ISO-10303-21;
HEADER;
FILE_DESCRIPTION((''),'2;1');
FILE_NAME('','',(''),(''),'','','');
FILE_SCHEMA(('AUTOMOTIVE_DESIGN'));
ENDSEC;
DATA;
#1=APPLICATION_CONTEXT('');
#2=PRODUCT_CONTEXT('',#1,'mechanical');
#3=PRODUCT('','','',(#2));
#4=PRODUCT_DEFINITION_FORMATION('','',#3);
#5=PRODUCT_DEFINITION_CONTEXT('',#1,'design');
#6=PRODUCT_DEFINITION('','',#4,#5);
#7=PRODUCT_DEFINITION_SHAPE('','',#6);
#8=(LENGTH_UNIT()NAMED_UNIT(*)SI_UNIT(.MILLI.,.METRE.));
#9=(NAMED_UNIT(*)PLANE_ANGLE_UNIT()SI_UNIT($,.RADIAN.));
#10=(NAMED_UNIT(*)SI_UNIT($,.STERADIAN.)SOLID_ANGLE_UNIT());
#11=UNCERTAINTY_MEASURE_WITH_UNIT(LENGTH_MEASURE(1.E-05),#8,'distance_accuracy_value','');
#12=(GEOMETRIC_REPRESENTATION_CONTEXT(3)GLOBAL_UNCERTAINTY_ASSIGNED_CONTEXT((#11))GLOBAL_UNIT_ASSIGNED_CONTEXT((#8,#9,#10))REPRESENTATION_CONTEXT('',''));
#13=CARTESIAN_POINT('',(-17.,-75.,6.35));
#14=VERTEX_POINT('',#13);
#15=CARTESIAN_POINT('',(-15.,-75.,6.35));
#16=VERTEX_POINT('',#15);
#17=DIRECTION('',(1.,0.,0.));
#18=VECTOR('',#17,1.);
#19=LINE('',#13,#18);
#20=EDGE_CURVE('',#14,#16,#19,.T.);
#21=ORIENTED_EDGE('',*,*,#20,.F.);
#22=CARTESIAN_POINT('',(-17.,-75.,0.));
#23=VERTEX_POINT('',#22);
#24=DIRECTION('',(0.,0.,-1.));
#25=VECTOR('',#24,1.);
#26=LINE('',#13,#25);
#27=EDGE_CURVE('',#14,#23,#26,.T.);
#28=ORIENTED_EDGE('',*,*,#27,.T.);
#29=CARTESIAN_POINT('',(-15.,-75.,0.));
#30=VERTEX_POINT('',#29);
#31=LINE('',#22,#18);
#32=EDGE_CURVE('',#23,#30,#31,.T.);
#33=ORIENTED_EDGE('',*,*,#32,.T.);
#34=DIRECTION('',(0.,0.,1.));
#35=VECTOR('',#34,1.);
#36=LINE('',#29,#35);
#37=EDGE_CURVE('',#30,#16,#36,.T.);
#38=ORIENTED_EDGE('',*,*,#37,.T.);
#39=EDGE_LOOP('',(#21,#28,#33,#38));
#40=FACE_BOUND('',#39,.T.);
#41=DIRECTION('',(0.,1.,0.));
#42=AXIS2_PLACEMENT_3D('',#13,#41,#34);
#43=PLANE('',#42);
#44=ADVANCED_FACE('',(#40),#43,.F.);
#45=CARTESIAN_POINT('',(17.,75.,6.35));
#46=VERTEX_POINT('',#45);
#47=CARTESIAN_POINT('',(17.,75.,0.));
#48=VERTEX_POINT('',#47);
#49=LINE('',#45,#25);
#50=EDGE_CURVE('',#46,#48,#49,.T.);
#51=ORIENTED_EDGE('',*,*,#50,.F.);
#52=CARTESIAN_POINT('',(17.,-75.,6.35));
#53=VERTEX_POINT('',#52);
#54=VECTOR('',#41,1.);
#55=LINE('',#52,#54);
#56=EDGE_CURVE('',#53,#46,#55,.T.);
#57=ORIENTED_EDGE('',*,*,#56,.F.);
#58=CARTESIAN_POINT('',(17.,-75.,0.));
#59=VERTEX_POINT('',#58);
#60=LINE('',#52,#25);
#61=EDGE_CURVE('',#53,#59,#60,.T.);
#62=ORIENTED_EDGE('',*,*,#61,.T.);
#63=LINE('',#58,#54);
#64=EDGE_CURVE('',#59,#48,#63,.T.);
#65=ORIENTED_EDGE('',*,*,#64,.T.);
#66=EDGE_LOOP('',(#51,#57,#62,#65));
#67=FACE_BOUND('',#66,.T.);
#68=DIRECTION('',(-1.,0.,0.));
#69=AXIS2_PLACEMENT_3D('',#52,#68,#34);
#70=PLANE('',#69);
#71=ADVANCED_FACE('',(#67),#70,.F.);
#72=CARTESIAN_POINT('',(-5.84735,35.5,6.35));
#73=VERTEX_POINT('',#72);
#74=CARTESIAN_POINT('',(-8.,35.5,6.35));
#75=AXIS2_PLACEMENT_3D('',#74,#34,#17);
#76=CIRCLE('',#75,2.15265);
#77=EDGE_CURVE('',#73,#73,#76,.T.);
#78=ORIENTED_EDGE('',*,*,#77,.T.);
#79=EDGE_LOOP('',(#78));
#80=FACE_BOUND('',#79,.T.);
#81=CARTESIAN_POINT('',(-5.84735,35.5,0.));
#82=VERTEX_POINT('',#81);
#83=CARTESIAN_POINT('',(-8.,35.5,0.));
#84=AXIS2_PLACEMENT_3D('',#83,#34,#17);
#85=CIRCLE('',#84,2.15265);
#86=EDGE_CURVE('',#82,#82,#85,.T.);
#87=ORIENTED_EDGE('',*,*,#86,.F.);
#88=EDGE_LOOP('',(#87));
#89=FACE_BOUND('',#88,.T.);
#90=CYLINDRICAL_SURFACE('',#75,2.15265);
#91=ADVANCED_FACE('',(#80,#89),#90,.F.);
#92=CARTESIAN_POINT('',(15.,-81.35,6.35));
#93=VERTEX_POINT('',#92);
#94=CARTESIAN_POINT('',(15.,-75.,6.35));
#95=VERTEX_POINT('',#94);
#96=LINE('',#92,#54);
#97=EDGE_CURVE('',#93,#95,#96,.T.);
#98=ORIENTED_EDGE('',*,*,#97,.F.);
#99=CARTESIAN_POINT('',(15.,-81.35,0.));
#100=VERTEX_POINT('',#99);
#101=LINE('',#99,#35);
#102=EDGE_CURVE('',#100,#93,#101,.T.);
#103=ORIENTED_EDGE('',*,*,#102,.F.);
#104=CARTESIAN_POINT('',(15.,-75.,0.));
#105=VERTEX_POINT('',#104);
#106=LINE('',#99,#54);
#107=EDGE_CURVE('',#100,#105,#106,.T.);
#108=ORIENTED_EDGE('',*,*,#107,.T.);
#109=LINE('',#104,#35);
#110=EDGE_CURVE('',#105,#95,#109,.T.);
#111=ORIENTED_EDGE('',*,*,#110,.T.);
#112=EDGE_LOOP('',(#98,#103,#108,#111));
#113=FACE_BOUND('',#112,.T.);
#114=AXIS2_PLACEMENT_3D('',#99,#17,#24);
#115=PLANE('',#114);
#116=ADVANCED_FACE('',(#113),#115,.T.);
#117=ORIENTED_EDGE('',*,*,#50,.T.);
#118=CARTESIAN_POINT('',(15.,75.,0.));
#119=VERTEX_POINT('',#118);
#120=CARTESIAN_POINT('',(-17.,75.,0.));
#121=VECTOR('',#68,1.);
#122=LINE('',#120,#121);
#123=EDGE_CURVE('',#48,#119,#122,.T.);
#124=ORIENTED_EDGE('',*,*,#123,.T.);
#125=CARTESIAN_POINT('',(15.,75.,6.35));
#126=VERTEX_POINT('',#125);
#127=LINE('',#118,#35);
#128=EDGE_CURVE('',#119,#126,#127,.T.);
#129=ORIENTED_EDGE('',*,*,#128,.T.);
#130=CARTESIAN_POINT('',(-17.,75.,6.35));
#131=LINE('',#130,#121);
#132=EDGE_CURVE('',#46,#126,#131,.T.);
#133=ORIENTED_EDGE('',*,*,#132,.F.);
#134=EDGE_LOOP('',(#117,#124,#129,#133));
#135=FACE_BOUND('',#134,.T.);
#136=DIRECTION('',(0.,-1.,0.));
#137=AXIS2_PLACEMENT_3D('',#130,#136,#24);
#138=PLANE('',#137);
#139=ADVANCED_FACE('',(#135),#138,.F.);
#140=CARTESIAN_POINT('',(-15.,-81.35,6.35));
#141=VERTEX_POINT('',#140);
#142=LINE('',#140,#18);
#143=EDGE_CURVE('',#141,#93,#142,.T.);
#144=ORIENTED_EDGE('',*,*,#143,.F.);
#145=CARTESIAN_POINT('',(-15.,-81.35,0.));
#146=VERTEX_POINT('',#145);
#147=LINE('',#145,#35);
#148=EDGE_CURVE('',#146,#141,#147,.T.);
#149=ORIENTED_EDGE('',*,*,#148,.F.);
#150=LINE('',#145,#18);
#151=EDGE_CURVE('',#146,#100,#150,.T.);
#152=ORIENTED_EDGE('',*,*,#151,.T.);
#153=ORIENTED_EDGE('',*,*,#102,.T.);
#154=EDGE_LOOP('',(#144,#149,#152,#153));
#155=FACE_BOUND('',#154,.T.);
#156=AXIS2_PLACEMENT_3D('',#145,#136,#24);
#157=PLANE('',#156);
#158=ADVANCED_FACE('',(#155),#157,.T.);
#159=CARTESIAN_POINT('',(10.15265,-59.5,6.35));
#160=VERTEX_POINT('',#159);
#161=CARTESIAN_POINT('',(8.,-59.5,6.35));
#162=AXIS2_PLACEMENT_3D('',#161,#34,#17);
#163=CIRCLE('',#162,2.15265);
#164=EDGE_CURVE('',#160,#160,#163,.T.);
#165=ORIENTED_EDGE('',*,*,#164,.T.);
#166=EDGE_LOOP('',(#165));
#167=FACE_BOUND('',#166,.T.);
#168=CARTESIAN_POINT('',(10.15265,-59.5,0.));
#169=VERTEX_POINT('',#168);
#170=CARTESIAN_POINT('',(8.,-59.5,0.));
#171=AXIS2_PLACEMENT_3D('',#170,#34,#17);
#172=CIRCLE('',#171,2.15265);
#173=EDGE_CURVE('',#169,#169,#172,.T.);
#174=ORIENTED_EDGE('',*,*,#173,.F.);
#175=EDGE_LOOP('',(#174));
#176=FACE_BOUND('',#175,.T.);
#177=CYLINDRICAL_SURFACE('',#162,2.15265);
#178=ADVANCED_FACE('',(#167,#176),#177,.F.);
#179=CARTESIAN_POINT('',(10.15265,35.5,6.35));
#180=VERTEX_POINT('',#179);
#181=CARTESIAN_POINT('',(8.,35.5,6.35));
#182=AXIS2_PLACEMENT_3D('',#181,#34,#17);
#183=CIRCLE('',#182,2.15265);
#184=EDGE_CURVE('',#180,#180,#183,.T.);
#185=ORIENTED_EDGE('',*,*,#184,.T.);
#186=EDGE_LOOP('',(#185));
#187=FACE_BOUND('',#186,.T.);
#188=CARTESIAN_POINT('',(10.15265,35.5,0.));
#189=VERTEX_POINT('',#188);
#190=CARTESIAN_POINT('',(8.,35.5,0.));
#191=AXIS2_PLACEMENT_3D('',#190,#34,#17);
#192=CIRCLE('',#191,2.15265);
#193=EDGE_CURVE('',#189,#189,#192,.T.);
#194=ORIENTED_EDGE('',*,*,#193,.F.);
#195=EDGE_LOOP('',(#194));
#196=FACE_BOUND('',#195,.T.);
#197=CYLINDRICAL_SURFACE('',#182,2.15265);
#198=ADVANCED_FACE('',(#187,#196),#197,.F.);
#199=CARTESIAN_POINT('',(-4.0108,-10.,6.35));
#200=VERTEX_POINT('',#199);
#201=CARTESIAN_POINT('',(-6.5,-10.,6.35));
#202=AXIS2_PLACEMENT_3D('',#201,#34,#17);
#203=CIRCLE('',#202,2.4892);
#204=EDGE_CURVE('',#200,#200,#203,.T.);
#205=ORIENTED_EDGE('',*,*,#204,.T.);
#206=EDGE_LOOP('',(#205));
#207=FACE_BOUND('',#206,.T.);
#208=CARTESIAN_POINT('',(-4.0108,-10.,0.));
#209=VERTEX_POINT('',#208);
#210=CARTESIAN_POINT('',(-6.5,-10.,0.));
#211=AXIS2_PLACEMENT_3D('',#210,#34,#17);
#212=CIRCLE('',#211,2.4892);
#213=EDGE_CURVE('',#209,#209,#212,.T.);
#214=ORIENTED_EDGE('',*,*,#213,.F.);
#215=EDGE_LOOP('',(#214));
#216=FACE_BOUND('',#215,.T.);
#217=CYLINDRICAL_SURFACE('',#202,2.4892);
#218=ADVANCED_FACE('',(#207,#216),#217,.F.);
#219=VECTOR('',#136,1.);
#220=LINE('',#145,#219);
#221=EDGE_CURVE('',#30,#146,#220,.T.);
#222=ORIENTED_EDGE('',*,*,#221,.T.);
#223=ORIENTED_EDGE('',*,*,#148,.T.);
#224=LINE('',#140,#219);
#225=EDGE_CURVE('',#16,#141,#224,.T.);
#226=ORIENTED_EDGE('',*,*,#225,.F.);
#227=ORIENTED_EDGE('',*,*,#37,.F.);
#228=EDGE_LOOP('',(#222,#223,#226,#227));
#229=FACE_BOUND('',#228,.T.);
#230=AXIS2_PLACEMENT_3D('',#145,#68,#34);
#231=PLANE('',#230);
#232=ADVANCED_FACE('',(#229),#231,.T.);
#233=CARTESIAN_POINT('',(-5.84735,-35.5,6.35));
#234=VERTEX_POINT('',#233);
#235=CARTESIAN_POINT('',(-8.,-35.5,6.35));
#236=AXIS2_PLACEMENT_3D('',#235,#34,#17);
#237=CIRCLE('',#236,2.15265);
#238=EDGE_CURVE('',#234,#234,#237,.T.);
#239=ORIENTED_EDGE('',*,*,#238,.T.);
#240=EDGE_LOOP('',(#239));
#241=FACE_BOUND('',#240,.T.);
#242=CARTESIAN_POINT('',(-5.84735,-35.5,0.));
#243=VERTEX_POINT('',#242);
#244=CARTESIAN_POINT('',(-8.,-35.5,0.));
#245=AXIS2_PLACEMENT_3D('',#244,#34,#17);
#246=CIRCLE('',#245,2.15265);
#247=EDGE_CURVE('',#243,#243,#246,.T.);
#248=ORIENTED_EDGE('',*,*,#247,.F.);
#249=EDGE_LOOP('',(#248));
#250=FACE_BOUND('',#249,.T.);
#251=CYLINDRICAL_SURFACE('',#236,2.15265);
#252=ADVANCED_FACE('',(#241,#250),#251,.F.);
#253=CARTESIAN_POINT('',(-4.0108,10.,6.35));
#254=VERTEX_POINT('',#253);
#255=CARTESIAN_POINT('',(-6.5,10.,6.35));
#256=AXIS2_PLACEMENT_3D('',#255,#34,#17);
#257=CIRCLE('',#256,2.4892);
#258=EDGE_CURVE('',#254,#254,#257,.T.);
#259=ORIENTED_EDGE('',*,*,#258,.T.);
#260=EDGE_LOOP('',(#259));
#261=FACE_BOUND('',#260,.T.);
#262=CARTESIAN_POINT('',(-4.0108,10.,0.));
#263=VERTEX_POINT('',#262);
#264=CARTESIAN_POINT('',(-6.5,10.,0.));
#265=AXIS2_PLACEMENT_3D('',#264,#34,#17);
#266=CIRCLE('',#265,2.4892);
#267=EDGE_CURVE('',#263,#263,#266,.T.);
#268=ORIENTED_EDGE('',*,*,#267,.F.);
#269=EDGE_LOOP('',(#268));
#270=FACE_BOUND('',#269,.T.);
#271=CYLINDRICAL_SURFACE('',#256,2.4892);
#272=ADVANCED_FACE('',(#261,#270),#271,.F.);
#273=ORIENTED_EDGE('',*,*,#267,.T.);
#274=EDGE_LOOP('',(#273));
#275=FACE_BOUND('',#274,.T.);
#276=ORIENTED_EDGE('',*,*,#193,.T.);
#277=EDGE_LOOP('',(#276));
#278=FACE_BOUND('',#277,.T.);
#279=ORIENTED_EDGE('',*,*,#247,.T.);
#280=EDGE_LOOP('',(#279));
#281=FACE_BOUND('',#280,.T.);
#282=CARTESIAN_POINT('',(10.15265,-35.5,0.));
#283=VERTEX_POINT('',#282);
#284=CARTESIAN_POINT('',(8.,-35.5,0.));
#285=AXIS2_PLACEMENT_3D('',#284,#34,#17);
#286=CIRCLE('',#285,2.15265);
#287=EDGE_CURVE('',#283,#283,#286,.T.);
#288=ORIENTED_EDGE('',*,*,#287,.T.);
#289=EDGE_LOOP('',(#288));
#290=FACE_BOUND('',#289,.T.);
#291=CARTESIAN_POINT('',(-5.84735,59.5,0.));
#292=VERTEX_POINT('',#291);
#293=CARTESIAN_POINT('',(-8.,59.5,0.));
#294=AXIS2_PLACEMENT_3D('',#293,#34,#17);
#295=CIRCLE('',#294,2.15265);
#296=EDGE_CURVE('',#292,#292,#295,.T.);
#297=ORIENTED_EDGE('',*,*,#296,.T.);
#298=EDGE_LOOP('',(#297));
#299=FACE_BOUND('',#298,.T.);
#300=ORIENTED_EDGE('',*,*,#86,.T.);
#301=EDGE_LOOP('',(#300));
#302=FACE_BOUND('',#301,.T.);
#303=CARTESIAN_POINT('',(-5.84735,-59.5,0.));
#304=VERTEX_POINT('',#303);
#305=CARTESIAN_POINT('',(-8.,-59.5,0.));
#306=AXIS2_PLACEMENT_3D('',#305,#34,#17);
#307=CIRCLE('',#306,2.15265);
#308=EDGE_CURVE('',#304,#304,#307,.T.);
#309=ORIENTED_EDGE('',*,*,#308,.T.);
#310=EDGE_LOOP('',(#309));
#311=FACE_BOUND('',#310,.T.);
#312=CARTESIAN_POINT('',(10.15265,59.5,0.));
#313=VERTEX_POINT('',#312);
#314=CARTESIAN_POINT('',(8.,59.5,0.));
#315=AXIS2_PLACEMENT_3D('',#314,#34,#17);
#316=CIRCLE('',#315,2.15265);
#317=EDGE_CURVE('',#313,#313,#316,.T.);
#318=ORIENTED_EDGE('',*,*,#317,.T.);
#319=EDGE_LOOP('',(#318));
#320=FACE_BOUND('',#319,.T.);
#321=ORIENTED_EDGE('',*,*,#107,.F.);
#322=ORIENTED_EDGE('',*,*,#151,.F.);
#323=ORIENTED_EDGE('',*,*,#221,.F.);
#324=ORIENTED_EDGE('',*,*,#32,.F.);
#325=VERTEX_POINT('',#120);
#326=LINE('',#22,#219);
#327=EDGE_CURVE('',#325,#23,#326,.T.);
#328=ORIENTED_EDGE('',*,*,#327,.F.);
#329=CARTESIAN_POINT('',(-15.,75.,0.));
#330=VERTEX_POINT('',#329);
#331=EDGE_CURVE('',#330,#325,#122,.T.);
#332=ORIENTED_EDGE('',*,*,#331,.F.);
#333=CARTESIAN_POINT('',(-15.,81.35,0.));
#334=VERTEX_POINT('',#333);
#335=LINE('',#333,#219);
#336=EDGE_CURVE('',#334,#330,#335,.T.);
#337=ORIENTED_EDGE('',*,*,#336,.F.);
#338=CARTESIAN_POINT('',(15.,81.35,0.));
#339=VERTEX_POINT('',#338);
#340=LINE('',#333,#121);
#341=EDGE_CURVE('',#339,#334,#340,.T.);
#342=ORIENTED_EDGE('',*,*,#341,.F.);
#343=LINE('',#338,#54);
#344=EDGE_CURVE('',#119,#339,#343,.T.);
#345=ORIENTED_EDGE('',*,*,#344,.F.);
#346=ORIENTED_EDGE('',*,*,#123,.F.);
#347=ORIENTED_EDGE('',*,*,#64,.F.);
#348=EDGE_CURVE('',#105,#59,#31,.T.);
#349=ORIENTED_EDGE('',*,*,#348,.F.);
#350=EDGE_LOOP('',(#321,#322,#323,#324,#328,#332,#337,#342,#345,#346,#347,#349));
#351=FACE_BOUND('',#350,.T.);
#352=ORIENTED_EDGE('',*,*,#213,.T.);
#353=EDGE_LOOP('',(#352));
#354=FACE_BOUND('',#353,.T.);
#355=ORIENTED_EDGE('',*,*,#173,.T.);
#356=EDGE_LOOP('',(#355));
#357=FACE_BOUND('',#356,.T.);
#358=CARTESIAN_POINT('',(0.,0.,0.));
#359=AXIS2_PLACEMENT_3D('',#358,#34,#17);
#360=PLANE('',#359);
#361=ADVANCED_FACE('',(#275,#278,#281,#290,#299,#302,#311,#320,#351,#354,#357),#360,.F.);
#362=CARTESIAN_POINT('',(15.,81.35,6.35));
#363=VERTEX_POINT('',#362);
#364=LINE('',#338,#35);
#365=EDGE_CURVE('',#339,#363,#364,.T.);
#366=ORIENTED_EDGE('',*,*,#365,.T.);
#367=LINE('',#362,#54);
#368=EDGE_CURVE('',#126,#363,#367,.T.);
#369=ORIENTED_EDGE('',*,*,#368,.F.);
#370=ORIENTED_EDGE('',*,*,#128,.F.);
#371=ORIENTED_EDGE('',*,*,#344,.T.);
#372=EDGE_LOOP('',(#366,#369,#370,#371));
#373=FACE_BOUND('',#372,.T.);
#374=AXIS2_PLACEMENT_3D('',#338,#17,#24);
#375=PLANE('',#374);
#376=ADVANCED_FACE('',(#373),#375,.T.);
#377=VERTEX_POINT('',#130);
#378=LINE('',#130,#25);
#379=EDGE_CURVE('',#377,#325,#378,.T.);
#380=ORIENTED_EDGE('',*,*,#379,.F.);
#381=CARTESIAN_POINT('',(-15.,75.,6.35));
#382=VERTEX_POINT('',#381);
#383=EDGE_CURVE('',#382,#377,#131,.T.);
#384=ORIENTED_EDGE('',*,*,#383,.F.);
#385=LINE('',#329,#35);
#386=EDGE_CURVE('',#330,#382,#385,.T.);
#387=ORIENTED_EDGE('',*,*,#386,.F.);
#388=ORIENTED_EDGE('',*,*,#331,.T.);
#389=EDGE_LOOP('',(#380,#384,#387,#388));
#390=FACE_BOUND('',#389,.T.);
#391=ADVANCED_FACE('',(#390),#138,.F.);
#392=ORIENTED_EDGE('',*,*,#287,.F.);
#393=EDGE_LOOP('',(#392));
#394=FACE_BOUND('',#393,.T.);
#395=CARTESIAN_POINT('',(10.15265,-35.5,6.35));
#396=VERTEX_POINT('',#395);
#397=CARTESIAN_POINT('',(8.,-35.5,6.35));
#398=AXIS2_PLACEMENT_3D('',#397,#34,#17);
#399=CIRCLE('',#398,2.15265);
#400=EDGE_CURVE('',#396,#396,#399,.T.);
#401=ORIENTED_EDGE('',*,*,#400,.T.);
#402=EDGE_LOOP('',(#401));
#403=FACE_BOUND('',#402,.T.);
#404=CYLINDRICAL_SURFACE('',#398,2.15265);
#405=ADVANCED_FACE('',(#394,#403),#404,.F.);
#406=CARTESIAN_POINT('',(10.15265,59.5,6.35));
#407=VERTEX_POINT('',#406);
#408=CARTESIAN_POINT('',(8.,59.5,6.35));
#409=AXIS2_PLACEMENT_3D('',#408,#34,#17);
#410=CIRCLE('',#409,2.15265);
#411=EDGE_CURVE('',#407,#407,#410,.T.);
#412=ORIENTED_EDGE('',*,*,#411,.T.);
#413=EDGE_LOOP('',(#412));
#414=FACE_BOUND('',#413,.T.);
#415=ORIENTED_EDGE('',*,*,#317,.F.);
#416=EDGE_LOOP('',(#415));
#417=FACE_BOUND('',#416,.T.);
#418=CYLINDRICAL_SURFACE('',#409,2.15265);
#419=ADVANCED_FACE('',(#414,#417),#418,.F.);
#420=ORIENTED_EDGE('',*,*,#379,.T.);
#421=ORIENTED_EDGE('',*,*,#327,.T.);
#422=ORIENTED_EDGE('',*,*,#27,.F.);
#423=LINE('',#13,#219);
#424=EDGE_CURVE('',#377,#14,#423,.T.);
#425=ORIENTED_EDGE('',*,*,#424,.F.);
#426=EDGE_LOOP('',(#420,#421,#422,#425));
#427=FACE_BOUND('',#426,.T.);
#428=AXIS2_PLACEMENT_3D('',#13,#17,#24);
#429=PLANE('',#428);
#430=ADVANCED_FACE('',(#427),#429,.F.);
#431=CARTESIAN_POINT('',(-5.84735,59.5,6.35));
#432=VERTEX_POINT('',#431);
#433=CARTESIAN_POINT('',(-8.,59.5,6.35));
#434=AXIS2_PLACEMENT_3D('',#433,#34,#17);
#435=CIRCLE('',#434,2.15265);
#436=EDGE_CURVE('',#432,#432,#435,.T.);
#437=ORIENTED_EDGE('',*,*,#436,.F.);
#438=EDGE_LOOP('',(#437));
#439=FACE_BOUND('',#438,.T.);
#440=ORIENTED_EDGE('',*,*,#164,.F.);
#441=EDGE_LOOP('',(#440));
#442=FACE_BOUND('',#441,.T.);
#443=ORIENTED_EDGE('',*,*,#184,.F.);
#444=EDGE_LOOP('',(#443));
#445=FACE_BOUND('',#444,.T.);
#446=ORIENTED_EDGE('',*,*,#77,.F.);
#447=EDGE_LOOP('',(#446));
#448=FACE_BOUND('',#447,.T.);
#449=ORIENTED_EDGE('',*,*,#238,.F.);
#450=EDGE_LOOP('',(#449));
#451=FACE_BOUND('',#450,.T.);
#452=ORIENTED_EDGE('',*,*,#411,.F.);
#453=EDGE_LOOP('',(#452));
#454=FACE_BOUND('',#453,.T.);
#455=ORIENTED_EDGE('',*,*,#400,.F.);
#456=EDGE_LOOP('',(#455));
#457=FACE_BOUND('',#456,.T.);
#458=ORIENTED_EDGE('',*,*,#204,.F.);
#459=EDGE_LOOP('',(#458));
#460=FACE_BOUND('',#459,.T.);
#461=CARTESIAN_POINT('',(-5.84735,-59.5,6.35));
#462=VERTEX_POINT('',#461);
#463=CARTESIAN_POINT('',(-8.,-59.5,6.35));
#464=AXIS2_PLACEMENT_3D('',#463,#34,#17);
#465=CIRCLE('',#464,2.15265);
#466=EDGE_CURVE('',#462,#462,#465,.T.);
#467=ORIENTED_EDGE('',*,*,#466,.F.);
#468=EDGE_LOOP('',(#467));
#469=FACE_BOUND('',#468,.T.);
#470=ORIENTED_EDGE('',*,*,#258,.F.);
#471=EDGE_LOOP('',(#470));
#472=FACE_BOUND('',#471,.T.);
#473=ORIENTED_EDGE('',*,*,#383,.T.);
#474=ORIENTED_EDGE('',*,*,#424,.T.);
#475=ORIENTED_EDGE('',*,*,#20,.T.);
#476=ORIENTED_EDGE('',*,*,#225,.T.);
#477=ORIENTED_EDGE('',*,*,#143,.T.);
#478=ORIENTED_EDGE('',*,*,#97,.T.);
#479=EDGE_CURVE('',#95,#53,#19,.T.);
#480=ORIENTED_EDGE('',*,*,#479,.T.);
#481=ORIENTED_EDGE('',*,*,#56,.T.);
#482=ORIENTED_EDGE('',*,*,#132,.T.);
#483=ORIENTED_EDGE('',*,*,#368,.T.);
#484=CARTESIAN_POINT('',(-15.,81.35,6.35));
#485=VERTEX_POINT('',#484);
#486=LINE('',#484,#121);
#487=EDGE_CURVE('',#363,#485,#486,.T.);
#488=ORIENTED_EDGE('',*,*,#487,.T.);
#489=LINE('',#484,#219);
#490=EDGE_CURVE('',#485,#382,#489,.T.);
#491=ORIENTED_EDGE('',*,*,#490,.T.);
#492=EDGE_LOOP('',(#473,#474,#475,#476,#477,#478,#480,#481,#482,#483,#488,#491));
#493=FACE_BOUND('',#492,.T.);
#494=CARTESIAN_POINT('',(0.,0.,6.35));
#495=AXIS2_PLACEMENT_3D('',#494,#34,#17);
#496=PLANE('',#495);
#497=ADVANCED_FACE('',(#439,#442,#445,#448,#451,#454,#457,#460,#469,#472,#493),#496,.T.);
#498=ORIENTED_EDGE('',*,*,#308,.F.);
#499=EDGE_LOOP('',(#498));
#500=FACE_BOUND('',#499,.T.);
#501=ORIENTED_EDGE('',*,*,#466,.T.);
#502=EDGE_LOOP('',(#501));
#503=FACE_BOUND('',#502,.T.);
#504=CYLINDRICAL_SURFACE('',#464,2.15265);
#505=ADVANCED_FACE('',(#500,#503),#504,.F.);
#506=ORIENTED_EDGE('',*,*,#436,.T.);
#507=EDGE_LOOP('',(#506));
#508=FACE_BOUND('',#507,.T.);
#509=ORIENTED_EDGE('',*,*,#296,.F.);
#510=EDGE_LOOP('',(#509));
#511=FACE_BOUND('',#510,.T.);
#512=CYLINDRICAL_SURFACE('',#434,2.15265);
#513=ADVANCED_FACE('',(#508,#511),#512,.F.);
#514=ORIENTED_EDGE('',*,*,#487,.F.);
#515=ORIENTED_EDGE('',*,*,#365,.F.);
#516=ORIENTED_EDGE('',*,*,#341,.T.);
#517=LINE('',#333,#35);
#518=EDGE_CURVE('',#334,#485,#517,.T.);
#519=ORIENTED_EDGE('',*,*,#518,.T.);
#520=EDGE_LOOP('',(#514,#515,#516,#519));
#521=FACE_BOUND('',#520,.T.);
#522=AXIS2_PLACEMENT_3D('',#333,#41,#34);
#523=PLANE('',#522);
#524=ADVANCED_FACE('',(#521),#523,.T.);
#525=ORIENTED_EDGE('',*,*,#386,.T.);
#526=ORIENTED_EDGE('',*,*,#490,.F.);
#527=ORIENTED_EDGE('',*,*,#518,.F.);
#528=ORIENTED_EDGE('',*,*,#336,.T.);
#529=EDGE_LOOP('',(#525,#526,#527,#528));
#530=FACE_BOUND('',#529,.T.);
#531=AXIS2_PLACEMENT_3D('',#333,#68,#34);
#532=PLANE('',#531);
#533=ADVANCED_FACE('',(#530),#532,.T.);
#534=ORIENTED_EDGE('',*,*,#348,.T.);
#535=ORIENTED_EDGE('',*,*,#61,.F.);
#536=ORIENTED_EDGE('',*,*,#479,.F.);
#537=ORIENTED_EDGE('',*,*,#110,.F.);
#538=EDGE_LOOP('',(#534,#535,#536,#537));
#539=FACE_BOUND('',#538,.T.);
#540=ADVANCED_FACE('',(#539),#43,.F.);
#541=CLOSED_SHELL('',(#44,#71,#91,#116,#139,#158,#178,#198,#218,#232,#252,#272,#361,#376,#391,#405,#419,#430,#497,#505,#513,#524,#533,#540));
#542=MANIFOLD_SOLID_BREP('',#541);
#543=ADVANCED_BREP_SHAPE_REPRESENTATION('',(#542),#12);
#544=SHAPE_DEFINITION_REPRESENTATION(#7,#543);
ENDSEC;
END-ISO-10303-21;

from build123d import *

# Parameters (mm, degrees)
SKETCH1_W              = 34
SKETCH1_H              = 150
BOSS_EXTRUDE1_DEPTH    = 6.35
SKETCH3_W              = 30
SKETCH3_H              = 6.35
BOSS_EXTRUDE2_DEPTH    = 6.35
F_8_CLEARANCE_HOLE1_D  = 4.3053
F_10_CLEARANCE_HOLE1_D = 4.9784


with BuildPart() as part:
    # Sketch1 → Boss-Extrude1 (new body)
    with BuildSketch(Plane.XY):
        Rectangle(SKETCH1_W, SKETCH1_H)
    extrude(amount=BOSS_EXTRUDE1_DEPTH)

    # Sketch3 → Boss-Extrude2 (add)
    with BuildSketch(Plane.XY.offset(6.35)):
        with Locations((0, 78.175)):
            Rectangle(SKETCH3_W, SKETCH3_H)
        with Locations((0, -78.175)):
            Rectangle(SKETCH3_W, SKETCH3_H)
    extrude(amount=-BOSS_EXTRUDE2_DEPTH)

    # #8 Clearance Hole1 (through all)
    with Locations(Plane.XY.offset(6.35)):
        with Locations((-8, 59.5), (8, 59.5), (8, 35.5), (-8, 35.5), (-8, -35.5), (-8, -59.5), (8, -59.5), (8, -35.5)):
            Hole(F_8_CLEARANCE_HOLE1_D / 2)

    # #10 Clearance Hole1 (through all)
    with Locations(Plane.XY.offset(6.35)):
        with Locations((-6.5, 10), (-6.5, -10)):
            Hole(F_10_CLEARANCE_HOLE1_D / 2)


solid = part.part
